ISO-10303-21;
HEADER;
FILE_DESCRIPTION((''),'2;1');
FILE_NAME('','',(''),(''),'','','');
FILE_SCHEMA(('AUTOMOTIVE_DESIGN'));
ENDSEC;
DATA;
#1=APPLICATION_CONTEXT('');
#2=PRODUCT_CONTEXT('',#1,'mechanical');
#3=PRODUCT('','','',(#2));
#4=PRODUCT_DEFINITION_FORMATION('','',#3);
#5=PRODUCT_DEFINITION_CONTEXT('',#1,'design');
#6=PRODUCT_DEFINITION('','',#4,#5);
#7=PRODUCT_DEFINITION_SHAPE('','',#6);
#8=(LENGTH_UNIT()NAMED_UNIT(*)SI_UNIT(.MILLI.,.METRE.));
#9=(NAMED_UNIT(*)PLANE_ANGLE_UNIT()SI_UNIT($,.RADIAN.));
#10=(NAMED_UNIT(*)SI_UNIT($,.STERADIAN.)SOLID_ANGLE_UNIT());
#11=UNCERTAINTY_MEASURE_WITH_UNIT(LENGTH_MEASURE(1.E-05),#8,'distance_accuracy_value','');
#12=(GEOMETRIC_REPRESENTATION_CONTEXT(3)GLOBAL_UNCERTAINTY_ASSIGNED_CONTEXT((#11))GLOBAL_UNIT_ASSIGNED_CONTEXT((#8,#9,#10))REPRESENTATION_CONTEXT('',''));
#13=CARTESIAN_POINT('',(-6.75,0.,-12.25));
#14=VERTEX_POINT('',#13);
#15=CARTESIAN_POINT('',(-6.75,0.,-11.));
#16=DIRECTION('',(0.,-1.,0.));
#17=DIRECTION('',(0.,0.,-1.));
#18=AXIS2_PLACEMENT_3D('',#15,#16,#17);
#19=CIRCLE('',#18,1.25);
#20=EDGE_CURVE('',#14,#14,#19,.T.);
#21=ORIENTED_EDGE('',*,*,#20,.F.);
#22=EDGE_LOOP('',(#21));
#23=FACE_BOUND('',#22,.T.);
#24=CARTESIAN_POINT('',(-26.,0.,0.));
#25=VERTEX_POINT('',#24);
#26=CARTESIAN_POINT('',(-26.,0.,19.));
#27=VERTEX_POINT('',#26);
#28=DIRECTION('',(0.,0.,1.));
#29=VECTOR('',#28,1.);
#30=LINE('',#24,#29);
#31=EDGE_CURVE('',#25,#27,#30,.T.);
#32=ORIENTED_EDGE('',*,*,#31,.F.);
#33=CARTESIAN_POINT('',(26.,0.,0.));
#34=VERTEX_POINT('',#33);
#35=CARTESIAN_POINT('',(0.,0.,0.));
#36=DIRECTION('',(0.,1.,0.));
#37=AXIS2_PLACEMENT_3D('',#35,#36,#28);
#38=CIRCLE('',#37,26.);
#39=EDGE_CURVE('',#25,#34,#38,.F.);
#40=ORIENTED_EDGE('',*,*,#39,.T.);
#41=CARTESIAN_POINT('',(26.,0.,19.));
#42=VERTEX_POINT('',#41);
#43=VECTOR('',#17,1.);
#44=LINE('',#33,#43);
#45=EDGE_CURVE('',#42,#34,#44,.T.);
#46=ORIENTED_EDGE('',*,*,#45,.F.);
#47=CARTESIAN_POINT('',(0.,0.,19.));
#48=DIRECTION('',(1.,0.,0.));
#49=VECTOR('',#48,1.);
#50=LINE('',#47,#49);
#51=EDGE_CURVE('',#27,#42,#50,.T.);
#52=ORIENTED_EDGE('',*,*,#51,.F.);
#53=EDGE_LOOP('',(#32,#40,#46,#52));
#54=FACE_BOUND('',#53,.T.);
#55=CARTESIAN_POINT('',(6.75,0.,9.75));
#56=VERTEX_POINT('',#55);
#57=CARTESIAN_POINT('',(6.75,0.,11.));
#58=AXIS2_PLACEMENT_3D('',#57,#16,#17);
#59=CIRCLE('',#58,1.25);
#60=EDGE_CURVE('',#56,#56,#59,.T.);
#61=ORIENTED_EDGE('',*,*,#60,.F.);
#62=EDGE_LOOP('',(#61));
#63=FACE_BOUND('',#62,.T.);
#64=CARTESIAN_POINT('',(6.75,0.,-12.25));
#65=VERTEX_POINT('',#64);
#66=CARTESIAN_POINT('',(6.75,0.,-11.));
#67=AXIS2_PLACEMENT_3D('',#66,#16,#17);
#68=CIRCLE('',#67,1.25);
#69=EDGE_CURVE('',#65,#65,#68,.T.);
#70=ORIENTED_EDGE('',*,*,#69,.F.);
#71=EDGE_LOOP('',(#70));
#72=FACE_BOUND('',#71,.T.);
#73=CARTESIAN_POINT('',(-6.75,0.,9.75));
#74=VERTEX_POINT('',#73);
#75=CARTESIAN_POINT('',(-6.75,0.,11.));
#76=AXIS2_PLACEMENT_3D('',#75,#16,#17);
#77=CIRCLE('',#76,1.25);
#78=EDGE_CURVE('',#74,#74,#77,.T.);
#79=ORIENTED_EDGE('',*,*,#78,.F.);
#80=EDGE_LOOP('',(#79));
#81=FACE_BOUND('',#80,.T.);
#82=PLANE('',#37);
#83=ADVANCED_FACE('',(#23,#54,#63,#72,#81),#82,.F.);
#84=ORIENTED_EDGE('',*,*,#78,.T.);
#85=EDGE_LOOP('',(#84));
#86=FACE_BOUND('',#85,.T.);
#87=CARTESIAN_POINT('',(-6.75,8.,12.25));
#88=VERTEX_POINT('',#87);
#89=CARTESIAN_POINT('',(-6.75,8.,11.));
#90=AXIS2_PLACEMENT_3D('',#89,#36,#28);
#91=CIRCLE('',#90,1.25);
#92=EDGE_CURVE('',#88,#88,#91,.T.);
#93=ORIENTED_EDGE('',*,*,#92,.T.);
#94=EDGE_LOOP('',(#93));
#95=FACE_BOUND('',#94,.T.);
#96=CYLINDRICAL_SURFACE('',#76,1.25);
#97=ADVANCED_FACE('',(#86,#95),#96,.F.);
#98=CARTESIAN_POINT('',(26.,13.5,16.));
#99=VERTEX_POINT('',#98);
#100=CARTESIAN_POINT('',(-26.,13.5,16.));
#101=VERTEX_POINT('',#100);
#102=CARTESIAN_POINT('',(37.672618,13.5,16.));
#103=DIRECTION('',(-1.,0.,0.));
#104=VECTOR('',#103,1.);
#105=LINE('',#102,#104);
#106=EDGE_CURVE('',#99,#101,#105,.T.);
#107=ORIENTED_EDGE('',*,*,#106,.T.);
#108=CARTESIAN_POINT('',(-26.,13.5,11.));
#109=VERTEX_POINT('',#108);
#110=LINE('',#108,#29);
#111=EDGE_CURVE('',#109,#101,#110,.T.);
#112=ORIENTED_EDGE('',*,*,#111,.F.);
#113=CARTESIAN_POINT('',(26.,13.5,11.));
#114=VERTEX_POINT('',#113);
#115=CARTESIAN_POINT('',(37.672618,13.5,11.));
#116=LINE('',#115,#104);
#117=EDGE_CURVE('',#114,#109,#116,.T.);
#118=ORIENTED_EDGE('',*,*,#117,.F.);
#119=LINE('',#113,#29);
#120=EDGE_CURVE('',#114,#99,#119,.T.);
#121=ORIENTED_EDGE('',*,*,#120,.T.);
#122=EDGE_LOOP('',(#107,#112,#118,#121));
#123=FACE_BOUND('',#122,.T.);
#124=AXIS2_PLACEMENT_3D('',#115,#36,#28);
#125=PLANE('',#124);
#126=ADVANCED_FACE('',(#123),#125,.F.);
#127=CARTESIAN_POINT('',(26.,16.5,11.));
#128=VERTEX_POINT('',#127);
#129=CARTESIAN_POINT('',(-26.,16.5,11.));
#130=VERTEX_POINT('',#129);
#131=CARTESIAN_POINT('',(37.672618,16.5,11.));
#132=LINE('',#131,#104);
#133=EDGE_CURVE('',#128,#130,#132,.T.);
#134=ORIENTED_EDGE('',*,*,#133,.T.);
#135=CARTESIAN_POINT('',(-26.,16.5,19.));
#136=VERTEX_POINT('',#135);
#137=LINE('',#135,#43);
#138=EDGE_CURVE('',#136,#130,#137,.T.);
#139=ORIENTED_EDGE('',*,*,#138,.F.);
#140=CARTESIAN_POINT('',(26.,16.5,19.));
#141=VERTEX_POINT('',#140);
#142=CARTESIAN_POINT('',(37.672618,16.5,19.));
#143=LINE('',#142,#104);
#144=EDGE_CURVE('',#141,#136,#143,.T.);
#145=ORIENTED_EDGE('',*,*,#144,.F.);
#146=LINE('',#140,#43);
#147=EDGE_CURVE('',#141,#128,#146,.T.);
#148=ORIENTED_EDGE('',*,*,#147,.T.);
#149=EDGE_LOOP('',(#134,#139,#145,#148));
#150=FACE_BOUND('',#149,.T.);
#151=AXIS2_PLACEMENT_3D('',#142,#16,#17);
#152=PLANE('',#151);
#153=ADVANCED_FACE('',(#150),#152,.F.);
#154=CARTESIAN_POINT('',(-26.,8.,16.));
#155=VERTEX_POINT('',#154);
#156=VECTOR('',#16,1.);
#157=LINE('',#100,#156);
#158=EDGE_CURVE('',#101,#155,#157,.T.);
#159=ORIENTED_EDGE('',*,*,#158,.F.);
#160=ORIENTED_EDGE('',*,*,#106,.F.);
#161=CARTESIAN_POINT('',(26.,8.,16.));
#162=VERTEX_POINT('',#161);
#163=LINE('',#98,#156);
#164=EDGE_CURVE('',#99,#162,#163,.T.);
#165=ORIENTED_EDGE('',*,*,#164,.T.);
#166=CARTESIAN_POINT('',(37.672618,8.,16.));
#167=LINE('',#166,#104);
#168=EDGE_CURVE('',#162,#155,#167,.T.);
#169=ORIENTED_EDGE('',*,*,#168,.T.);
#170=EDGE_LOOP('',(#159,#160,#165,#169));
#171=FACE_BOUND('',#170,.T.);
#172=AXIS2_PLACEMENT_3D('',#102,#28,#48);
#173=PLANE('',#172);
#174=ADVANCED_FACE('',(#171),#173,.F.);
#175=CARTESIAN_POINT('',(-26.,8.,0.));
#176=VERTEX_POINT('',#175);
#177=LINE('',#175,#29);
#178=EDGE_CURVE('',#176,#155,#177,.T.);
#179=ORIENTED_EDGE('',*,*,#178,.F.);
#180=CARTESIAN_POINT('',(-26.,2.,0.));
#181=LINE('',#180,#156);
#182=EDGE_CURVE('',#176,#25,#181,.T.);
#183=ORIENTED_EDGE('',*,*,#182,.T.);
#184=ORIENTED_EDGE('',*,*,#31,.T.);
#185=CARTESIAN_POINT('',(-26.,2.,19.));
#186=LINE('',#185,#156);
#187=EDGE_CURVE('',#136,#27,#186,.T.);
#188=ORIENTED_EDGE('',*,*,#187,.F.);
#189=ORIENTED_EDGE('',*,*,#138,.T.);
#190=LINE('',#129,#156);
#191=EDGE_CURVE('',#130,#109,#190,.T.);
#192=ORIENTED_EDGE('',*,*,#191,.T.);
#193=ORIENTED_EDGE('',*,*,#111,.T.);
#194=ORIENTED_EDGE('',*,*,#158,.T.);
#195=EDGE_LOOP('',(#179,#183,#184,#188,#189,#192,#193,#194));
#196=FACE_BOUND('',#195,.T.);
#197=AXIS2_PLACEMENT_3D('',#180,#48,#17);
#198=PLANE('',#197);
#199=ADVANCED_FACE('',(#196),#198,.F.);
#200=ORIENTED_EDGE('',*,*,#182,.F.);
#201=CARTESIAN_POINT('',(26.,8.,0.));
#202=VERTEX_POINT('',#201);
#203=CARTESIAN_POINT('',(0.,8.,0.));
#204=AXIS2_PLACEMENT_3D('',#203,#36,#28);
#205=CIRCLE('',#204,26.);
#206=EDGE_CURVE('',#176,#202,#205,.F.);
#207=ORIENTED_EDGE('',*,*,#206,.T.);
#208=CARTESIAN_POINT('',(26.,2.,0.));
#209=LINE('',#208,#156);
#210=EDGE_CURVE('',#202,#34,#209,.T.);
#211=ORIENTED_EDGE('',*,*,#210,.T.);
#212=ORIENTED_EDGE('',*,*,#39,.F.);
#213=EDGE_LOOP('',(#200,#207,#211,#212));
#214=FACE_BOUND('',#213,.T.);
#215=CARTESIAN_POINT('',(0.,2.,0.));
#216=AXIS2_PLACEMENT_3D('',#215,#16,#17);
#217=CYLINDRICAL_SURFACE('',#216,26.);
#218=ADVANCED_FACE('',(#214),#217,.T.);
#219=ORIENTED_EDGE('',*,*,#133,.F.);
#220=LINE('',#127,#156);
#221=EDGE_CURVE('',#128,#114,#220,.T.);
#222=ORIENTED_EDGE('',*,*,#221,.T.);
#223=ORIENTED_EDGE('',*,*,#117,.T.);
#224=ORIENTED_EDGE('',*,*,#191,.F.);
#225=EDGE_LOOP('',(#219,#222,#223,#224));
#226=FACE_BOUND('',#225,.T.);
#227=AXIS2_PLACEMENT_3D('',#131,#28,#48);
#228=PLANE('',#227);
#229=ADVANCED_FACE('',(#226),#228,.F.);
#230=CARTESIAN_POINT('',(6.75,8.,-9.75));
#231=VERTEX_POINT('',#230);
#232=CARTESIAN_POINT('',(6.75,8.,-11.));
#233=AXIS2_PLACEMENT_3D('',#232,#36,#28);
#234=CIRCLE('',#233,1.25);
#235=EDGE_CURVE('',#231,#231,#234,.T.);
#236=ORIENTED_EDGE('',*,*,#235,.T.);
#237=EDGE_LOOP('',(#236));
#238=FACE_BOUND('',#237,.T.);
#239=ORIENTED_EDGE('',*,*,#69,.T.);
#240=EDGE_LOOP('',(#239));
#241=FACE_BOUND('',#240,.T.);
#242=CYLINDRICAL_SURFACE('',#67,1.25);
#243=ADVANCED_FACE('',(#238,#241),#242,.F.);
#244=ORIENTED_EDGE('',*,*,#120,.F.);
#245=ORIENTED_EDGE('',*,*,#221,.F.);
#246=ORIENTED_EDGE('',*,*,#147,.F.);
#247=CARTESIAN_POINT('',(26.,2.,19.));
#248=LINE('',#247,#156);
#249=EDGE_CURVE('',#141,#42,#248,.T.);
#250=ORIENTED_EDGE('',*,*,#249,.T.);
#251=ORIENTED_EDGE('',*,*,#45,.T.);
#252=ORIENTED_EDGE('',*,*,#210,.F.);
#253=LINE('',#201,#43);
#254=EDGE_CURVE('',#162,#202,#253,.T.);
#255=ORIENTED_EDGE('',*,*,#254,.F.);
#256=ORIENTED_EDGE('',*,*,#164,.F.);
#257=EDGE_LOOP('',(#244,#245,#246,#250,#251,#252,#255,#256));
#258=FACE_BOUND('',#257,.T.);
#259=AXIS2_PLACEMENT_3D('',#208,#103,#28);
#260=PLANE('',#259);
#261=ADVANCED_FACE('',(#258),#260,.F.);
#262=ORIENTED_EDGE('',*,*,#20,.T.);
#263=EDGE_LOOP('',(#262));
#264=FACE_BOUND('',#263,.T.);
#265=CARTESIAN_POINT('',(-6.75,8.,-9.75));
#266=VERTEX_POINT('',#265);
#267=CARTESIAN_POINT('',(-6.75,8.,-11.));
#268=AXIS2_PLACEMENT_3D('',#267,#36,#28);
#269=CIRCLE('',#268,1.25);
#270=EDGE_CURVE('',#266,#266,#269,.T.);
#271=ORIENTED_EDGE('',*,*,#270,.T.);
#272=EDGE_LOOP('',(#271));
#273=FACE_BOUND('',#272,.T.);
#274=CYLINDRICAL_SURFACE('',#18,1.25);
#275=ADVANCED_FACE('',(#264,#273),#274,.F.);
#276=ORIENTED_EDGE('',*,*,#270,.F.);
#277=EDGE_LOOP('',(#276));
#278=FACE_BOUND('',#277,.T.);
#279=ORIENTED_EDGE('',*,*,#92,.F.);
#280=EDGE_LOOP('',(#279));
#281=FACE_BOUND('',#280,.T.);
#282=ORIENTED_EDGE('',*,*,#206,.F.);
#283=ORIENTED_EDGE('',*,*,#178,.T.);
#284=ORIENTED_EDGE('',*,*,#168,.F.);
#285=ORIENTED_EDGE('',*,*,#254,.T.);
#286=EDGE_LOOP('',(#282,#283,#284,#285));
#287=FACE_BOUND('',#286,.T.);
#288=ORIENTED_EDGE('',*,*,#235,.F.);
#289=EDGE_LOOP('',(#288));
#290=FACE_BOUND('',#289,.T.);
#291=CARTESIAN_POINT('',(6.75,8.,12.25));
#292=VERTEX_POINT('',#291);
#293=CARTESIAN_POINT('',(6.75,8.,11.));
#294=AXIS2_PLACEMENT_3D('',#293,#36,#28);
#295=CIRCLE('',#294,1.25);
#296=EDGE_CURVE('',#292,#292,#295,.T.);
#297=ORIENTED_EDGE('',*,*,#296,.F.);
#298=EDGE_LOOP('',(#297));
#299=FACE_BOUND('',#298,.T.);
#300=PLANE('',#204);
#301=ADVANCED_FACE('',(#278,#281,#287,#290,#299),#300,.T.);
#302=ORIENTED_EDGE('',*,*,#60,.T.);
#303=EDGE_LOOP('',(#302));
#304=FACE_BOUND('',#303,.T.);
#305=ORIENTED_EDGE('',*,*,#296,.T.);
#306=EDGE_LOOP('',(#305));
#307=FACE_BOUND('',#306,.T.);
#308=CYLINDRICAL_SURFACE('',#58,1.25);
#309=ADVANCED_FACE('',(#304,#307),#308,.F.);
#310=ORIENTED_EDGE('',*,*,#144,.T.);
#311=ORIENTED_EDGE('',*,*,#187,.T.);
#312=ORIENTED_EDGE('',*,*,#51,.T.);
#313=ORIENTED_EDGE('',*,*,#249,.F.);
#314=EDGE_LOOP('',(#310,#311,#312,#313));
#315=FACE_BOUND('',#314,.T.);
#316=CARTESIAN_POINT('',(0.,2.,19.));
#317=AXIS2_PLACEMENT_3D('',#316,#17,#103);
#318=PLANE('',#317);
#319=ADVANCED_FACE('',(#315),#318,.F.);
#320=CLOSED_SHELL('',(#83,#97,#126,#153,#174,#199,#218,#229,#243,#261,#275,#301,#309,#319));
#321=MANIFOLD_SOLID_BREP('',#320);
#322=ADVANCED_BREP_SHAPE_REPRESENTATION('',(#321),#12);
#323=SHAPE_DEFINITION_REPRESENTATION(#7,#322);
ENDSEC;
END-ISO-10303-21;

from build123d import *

# Parameters (mm, degrees)
BOSS_EXTRUDE1_DEPTH             = 2
BOSS_EXTRUDE3_DEPTH             = 8
BOSS_EXTRUDE2_REACH             = 28
BOSS_EXTRUDE2_DIRECTION_2_REACH = 28
TAP_DRILL_FOR_M3X0_5_TAP1_D     = 2.5
TAP_DRILL_FOR_M3X0_5_TAP1_DEPTH = 8


with BuildPart() as part:
    # Sketch1 → Boss-Extrude1 (new body)
    with BuildSketch(Plane(origin=(0, 0, 0), x_dir=(1, 0, 0), z_dir=(0, 1, 0))):
        with BuildLine():
            Line((-26, 0), (-26, -19))
            Line((-26, -19), (26, -19))
            Line((26, -19), (26, 0))
            ThreePointArc((26, 0), (0, 26), (-26, 0))
        make_face()
    extrude(amount=BOSS_EXTRUDE1_DEPTH)

    # Sketch1<3> → Boss-Extrude3 (add)
    with BuildSketch(Plane(origin=(0, 0, 0), x_dir=(1, 0, 0), z_dir=(0, 1, 0))):
        with BuildLine():
            ThreePointArc((26, 0), (0, 26), (-26, 0))
            Line((-26, 0), (-26, -19))
            Line((-26, -19), (26, -19))
            Line((26, -19), (26, 0))
        make_face()
    extrude(amount=BOSS_EXTRUDE3_DEPTH)

    # Boss-Extrude2: up to this face of the body (flat: up to its plane)
    boss_extrude2_end = Plane(part.part.faces().sort_by_distance((26, 4, 9.5))[0])
    # Sketch3 → Boss-Extrude2 (add, up to the picked face)
    with BuildSketch(Plane(origin=(0, 0, 0), x_dir=(0, 0, -1), z_dir=(1, 0, 0)), mode=Mode.PRIVATE) as boss_extrude2_sk1:
        Polygon((-19, 8), (-19, 16.5), (-11, 16.5), (-11, 13.5), (-16, 13.5), (-16, 8), align=None)
    boss_extrude2_tool1 = split(extrude(boss_extrude2_sk1.sketch, amount=BOSS_EXTRUDE2_REACH, mode=Mode.PRIVATE), bisect_by=boss_extrude2_end, keep=Keep.BOTH, mode=Mode.PRIVATE)
    add(boss_extrude2_tool1.solids().sort_by_distance((0, 13.268519, 16.018519))[0])

    # Boss-Extrude2 direction 2: up to this face of the body (flat: up to its plane)
    boss_extrude2_direction_2_end = Plane(part.part.faces().sort_by_distance((-26, 4, 9.5))[0])
    # Sketch3 → Boss-Extrude2 direction 2 (add, up to the picked face)
    with BuildSketch(Plane(origin=(0, 0, 0), x_dir=(0, 0, -1), z_dir=(1, 0, 0)), mode=Mode.PRIVATE) as boss_extrude2_direction_2_sk1:
        Polygon((-19, 8), (-19, 16.5), (-11, 16.5), (-11, 13.5), (-16, 13.5), (-16, 8), align=None)
    boss_extrude2_direction_2_tool1 = split(extrude(boss_extrude2_direction_2_sk1.sketch, amount=-BOSS_EXTRUDE2_DIRECTION_2_REACH, mode=Mode.PRIVATE), bisect_by=boss_extrude2_direction_2_end, keep=Keep.BOTH, mode=Mode.PRIVATE)
    add(boss_extrude2_direction_2_tool1.solids().sort_by_distance((0, 13.268519, 16.018519))[0])

    # Tap Drill for M3x0.5 Tap1
    with Locations(Plane(origin=(0, 0, 0), x_dir=(-1, 0, 0), z_dir=(0, -1, 0))):
        with Locations((-6.75, 11), (6.75, 11), (6.75, -11), (-6.75, -11)):
            Hole(TAP_DRILL_FOR_M3X0_5_TAP1_D / 2, depth=TAP_DRILL_FOR_M3X0_5_TAP1_DEPTH)


solid = part.part
